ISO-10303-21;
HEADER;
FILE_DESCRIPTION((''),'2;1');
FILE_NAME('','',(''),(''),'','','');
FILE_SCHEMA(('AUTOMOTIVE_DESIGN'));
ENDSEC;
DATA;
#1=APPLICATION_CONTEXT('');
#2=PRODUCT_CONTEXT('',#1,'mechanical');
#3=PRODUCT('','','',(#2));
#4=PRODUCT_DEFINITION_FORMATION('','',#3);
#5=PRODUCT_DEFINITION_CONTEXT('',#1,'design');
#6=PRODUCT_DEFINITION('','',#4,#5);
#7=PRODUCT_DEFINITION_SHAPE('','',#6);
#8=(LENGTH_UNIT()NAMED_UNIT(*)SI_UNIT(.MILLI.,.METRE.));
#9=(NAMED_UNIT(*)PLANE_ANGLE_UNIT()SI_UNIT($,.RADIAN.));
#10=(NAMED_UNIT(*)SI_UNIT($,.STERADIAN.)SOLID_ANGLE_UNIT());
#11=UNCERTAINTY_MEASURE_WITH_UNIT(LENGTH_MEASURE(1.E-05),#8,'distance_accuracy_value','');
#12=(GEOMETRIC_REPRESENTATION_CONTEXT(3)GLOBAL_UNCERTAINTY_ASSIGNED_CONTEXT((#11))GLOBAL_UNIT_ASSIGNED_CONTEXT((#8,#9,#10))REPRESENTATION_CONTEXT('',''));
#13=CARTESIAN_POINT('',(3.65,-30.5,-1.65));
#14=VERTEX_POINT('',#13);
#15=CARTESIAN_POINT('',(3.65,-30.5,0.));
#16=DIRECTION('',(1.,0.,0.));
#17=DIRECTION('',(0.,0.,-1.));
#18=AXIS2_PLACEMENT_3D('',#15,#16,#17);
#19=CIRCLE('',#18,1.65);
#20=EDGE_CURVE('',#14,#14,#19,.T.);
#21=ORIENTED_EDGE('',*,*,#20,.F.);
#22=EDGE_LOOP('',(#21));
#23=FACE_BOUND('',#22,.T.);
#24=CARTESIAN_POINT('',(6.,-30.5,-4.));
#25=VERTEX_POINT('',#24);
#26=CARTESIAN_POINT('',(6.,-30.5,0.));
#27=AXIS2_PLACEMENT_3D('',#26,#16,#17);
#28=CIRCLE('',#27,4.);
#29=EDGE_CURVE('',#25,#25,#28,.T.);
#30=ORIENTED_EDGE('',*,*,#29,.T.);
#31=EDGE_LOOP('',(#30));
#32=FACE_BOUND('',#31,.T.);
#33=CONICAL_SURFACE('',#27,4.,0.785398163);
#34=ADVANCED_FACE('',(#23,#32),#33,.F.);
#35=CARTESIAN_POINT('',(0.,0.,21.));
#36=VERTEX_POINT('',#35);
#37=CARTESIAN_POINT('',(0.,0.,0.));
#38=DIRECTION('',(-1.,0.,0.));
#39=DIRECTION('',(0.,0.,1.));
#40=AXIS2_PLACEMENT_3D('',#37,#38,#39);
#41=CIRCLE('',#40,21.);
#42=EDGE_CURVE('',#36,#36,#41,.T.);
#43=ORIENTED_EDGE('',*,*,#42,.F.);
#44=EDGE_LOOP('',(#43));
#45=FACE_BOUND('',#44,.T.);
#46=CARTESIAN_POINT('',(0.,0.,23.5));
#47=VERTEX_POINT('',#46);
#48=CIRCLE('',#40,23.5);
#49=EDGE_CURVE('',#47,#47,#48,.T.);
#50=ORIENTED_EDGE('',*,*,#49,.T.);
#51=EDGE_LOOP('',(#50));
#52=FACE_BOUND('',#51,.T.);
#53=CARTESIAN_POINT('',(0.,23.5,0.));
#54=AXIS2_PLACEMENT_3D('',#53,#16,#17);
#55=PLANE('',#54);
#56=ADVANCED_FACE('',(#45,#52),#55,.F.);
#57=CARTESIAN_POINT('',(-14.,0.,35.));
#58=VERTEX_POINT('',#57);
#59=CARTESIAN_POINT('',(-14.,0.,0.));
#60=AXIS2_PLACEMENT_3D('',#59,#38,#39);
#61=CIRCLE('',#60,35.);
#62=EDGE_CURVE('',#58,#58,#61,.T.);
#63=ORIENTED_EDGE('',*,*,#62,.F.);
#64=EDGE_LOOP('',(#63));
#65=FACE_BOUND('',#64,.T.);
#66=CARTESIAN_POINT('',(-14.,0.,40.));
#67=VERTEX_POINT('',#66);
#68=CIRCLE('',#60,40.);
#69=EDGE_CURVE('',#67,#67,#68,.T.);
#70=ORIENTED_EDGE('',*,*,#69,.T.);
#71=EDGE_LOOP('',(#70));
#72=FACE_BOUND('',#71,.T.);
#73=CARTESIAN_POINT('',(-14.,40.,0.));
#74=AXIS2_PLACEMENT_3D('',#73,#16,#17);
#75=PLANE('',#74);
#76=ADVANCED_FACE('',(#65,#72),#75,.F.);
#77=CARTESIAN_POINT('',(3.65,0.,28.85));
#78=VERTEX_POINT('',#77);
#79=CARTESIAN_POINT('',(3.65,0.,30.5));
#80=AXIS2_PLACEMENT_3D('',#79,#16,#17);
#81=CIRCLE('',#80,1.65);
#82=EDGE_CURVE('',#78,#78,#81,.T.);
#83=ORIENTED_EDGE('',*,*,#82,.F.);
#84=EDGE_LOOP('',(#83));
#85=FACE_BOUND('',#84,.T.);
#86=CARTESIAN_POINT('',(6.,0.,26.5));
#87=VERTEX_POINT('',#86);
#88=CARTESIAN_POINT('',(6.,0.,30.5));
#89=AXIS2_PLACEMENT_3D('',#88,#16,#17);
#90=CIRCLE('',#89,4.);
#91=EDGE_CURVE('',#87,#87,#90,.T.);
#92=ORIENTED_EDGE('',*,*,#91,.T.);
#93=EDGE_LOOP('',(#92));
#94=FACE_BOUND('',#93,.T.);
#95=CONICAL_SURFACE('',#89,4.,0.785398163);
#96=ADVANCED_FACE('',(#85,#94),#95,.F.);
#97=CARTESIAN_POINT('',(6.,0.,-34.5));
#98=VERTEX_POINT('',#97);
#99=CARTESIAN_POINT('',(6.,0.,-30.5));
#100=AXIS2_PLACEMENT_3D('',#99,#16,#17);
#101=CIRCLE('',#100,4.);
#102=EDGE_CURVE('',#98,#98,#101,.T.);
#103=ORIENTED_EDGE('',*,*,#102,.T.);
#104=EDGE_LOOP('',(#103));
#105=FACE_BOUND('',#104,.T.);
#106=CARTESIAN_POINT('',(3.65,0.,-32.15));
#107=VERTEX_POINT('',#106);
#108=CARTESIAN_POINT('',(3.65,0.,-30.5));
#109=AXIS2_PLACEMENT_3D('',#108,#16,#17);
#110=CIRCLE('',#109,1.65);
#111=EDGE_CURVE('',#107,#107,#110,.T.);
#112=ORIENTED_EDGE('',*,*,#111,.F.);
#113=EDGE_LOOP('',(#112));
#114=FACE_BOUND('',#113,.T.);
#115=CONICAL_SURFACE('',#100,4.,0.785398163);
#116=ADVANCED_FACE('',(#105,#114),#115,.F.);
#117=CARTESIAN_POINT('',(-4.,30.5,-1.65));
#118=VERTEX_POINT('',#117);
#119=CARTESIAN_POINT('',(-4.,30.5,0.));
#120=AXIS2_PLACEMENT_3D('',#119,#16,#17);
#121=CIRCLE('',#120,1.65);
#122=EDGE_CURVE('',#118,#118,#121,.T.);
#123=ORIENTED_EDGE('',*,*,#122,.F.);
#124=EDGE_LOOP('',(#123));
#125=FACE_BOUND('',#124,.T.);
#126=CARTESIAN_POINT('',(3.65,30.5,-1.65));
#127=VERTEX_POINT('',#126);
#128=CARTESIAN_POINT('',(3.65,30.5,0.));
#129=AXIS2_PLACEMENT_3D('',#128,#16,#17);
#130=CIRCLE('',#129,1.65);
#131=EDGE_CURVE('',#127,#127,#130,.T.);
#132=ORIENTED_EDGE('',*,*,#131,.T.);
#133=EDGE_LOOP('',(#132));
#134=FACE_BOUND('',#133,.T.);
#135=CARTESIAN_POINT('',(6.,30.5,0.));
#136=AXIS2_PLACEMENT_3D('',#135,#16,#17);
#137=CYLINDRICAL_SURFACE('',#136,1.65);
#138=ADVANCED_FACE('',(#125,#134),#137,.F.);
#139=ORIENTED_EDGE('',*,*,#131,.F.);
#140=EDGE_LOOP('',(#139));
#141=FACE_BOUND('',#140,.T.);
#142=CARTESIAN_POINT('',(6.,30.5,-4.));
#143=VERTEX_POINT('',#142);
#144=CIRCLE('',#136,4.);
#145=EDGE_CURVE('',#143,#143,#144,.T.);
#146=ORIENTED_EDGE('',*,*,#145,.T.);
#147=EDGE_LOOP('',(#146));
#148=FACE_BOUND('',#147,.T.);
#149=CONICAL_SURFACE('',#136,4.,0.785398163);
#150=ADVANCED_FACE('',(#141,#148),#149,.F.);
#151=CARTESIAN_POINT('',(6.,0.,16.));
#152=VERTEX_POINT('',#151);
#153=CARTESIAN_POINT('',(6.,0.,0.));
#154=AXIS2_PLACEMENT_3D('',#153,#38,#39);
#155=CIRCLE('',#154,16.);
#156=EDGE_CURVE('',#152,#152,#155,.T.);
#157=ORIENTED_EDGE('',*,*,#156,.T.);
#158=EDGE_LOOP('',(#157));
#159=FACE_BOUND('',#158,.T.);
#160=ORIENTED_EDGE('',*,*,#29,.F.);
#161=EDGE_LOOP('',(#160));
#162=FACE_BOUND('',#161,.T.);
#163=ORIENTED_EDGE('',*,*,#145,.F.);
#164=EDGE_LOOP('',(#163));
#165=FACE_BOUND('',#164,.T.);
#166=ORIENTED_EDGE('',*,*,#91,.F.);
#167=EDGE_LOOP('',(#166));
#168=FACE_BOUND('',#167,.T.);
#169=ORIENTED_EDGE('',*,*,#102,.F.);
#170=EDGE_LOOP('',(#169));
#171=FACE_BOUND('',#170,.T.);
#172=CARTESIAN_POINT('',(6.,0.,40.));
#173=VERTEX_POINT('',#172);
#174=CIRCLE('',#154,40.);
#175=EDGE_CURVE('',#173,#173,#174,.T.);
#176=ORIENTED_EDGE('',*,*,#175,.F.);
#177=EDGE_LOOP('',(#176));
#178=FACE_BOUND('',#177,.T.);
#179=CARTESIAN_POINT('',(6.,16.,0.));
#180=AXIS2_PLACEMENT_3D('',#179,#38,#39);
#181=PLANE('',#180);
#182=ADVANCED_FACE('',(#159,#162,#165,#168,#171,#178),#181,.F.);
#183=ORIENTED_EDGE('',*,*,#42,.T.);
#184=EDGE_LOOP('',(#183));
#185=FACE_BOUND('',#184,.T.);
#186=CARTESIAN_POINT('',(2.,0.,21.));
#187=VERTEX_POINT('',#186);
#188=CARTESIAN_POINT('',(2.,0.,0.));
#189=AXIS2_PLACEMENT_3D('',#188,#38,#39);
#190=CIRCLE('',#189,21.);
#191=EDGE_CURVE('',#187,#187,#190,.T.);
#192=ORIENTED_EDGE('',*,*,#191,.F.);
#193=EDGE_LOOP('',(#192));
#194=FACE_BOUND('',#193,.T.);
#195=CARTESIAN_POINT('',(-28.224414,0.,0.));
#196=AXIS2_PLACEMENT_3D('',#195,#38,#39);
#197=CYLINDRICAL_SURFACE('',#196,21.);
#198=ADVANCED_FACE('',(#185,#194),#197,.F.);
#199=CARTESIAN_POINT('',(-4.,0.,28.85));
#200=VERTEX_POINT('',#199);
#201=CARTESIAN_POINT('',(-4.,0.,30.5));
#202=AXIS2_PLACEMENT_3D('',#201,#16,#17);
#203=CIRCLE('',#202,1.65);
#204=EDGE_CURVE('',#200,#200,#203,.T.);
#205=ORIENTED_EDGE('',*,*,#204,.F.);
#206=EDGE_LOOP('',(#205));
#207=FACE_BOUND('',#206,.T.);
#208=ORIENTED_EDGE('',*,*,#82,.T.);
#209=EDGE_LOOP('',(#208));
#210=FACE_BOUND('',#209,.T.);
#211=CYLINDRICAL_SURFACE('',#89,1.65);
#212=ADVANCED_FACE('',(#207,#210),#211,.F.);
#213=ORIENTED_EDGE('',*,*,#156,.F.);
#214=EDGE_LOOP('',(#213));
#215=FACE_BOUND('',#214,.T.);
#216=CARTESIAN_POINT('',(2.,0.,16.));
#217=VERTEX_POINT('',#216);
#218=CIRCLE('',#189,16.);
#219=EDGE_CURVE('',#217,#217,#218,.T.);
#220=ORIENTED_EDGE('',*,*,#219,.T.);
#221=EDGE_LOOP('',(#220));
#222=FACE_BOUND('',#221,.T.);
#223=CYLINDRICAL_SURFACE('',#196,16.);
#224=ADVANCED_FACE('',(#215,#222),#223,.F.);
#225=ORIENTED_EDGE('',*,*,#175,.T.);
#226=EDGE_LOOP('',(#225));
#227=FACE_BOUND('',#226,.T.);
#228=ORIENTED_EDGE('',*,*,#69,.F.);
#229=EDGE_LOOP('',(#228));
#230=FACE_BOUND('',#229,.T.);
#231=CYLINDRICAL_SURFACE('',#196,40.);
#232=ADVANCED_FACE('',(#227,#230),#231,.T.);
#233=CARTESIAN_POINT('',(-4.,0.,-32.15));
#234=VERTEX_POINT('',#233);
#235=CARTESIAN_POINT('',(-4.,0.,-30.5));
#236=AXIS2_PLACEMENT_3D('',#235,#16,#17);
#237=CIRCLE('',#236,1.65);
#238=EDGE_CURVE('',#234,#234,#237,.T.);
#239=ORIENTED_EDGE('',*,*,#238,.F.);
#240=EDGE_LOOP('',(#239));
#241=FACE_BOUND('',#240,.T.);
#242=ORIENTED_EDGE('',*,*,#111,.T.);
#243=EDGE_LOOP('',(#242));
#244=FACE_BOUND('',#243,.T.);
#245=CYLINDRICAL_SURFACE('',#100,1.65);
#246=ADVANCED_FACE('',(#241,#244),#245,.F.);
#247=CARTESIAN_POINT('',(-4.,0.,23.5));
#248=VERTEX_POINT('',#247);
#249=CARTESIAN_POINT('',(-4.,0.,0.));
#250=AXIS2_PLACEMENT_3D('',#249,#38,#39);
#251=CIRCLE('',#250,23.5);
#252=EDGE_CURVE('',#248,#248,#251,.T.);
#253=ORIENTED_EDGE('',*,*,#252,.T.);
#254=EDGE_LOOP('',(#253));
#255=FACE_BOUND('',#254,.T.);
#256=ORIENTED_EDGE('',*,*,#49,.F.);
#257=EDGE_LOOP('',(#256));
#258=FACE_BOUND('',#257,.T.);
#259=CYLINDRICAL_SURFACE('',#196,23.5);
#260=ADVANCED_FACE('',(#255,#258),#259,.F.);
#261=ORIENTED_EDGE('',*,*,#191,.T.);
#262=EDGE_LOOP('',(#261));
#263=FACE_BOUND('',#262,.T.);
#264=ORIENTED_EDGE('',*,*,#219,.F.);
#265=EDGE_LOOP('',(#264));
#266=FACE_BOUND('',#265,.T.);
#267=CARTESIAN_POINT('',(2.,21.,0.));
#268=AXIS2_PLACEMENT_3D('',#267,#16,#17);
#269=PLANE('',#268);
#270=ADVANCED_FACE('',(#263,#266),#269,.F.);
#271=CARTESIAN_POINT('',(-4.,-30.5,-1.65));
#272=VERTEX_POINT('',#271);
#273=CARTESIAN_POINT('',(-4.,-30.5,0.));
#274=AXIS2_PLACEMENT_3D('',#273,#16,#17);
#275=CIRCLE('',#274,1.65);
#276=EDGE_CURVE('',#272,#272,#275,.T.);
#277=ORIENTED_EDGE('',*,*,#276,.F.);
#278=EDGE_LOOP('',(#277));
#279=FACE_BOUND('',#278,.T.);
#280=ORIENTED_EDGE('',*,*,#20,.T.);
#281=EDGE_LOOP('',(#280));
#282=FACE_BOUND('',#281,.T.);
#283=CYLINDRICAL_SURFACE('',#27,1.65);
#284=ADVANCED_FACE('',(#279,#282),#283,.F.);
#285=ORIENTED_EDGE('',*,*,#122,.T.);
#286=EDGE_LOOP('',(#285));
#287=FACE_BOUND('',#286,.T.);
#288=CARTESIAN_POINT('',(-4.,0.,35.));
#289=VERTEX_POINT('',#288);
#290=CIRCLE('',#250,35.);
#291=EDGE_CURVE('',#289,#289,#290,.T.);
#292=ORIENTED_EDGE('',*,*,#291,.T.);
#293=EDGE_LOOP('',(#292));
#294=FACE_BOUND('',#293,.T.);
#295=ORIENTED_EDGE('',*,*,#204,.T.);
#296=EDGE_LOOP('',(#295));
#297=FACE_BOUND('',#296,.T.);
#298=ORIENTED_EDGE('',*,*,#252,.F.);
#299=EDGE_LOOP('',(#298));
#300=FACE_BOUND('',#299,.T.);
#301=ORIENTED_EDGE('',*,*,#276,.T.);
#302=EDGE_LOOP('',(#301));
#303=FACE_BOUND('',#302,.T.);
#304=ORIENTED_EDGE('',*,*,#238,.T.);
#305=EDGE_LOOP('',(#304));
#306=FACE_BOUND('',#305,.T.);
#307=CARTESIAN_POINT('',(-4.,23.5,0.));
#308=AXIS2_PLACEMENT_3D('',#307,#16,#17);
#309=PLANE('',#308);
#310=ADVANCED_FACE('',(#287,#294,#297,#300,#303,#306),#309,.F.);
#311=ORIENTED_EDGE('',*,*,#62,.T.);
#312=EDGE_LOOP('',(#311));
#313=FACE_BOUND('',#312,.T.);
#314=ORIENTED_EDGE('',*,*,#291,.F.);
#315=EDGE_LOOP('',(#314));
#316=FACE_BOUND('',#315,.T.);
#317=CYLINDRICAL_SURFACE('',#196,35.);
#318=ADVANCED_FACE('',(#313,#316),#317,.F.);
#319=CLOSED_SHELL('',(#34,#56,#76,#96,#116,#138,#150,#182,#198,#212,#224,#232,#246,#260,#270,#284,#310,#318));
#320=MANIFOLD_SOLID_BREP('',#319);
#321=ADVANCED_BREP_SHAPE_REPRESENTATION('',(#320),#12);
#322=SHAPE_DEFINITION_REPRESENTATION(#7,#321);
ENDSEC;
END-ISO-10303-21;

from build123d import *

# Parameters (mm, degrees)
M4X0_7_TAPPED_HOLE1_D           = 3.3
M4X0_7_TAPPED_HOLE1_CSINK_D     = 8
M4X0_7_TAPPED_HOLE1_CSINK_ANGLE = 90


with BuildPart() as part:
    # Sketch2 → Revolve1 (revolve)
    with BuildSketch(Plane.XY):
        Polygon((-14, 40), (6, 40), (6, 16), (2, 16), (2, 21), (0, 21), (0, 23.5), (-4, 23.5), (-4, 35), (-14, 35), align=None)
    revolve(axis=Axis((-28.224413871, 0, 0), (1, 0, 0)))

    # M4x0.7 Tapped Hole1 (through all)
    with Locations(Plane(origin=(6, 0, 0), x_dir=(0, 0, -1), z_dir=(1, 0, 0))):
        with Locations((0, 30.5), (30.5, 0), (0, -30.5), (-30.5, 0)):
            CounterSinkHole(M4X0_7_TAPPED_HOLE1_D / 2, M4X0_7_TAPPED_HOLE1_CSINK_D / 2, counter_sink_angle=M4X0_7_TAPPED_HOLE1_CSINK_ANGLE)


solid = part.part
